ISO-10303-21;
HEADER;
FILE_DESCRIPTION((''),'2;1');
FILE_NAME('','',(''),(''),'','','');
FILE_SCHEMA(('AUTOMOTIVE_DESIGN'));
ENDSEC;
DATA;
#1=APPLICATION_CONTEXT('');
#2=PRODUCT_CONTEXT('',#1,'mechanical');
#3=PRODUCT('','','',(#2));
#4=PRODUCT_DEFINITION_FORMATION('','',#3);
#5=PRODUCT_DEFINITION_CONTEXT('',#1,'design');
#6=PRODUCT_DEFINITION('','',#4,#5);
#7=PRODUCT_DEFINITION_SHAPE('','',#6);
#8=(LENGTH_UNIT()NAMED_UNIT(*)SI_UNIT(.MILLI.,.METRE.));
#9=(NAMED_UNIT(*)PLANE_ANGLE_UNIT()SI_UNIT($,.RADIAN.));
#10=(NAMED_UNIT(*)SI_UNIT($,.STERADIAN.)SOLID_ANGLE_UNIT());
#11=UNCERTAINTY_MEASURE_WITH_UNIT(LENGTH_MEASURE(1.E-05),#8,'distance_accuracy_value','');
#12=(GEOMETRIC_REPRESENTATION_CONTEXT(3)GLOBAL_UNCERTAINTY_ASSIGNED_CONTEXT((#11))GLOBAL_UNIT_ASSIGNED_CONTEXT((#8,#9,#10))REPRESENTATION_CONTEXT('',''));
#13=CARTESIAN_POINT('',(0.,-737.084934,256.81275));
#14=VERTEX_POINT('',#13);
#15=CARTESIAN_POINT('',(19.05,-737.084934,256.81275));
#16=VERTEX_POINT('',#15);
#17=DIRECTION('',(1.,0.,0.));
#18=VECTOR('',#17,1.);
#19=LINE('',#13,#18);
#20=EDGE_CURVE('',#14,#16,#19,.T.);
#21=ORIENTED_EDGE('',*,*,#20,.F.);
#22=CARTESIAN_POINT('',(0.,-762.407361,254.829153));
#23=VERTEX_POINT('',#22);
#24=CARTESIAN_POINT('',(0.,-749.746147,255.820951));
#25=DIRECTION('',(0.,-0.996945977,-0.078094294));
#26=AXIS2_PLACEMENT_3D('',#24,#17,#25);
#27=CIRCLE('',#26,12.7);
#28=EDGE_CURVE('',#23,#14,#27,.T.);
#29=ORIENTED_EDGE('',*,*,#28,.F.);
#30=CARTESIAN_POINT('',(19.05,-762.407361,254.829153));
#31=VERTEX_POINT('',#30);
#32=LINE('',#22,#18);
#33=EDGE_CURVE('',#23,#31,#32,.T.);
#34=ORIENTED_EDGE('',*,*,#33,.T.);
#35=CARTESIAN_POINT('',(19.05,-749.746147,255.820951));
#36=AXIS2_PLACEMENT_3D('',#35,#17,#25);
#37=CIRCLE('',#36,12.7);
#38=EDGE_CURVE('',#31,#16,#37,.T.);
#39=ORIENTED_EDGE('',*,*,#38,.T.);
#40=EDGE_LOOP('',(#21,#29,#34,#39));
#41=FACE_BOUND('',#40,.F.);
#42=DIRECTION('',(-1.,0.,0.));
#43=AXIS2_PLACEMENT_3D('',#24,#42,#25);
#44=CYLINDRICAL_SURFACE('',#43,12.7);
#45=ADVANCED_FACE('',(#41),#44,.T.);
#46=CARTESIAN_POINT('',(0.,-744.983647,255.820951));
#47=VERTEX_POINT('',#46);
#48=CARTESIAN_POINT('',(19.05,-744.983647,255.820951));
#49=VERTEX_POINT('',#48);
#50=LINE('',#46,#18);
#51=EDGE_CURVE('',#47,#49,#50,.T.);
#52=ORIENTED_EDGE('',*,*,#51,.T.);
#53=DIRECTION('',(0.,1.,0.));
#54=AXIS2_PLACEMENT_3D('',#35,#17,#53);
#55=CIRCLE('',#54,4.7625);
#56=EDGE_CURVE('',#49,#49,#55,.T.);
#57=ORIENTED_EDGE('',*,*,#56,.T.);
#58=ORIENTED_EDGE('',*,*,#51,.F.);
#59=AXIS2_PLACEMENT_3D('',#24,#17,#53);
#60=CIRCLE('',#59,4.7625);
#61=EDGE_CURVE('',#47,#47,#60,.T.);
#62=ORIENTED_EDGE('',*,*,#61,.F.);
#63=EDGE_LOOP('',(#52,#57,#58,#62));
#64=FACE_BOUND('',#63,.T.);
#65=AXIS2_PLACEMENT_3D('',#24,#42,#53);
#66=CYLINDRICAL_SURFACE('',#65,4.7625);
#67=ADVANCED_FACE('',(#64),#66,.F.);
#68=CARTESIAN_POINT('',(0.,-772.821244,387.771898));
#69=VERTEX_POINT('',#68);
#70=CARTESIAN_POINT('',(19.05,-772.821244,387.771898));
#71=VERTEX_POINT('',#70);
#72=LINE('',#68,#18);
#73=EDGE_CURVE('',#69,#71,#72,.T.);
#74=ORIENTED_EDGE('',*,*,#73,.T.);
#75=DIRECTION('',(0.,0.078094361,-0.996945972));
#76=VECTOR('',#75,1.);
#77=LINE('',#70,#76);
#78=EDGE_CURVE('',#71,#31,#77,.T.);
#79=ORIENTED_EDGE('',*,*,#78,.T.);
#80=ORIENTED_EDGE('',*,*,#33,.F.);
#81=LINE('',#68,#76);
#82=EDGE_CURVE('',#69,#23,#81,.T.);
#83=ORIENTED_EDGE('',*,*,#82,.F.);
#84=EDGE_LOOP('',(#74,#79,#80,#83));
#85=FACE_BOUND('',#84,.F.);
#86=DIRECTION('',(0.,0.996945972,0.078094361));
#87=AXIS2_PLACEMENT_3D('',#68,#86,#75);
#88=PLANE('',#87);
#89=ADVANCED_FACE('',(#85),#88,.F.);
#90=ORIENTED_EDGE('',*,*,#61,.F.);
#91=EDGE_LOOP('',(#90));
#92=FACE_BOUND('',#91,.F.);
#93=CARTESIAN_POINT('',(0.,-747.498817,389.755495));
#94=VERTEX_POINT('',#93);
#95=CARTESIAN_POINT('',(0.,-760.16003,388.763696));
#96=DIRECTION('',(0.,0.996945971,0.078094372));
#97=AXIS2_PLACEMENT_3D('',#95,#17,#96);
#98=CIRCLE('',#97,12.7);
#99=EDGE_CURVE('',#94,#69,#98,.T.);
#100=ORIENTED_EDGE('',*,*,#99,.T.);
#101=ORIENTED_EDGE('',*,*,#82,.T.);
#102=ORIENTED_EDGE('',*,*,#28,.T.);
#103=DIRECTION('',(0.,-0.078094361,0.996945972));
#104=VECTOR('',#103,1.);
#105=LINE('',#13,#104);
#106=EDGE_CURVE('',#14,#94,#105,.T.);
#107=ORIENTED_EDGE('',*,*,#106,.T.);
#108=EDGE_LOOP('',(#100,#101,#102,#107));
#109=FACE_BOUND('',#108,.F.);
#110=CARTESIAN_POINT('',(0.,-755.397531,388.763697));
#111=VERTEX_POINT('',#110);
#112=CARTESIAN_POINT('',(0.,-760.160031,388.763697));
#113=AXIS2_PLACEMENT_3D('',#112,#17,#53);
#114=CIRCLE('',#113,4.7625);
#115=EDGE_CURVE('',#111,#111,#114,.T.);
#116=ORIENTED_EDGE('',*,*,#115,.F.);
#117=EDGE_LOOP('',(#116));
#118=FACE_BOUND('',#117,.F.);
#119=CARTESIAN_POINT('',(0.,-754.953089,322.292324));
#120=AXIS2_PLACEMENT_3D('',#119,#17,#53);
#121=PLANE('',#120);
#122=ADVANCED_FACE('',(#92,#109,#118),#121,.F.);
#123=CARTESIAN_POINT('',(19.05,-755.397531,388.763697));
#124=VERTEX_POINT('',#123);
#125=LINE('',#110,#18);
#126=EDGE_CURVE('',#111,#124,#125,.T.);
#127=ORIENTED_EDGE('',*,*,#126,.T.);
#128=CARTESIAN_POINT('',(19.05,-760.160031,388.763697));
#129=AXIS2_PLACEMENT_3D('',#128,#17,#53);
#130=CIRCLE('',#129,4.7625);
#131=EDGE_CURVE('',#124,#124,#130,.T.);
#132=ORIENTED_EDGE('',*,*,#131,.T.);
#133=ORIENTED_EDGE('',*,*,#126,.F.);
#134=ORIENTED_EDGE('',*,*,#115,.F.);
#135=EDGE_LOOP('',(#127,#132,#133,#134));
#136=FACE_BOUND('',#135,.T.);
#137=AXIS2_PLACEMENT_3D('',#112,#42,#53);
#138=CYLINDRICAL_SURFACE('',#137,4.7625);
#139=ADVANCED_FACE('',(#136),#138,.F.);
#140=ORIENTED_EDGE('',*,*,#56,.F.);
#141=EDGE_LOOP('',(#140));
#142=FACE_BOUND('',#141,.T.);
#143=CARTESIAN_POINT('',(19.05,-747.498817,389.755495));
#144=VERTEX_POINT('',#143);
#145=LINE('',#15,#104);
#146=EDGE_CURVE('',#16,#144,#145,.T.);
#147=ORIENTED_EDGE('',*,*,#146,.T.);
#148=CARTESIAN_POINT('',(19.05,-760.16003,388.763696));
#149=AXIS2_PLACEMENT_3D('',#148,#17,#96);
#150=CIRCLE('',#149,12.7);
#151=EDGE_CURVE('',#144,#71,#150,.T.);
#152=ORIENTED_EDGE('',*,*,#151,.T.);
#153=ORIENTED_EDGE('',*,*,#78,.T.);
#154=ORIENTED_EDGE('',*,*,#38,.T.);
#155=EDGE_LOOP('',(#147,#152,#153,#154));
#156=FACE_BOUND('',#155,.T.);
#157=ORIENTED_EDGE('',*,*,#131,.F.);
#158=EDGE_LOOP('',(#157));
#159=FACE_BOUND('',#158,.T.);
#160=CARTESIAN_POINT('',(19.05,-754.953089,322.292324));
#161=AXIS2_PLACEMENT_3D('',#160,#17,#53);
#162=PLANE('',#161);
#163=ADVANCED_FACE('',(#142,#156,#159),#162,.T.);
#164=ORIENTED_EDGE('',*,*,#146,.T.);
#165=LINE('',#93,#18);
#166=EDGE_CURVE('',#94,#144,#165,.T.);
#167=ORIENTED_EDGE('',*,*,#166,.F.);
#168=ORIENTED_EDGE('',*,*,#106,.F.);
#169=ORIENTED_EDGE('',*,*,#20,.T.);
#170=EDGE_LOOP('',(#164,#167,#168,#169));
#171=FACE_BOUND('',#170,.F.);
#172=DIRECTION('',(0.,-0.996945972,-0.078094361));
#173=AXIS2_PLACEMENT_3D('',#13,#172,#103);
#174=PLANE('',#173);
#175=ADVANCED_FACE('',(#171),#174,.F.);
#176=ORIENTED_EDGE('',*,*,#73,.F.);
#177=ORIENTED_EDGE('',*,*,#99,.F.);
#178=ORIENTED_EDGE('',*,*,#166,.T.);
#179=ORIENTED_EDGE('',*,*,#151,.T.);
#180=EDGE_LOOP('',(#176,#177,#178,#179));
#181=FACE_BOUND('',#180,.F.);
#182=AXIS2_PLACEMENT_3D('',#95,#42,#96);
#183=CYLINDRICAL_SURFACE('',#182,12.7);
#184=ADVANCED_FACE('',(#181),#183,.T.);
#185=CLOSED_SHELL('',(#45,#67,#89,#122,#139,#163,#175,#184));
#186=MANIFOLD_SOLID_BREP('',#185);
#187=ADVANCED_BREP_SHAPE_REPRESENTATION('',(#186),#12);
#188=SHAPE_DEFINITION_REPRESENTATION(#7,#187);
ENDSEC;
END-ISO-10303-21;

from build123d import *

# Parameters (mm, degrees)
F2_R     = 4.7625
F3_DEPTH = 19.05


with BuildPart() as f3:
    # F2 (on Right) → F3 (new body)
    with BuildSketch(Plane.YZ):
        with BuildLine():
            ThreePointArc((-747.498817, 389.755495), (-761.151829, 401.42491), (-772.821244, 387.771898))
            Line((-772.821244, 387.771898), (-762.407361, 254.829153))
            ThreePointArc((-762.407361, 254.829153), (-748.754349, 243.159737), (-737.084934, 256.81275))
            Line((-737.084934, 256.81275), (-747.498817, 389.755495))
        make_face()
        with Locations((-749.746147, 255.820951)):
            Circle(F2_R, mode=Mode.SUBTRACT)
        with Locations((-760.160031, 388.763697)):
            Circle(F2_R, mode=Mode.SUBTRACT)
    extrude(amount=F3_DEPTH)


solid = f3.part
